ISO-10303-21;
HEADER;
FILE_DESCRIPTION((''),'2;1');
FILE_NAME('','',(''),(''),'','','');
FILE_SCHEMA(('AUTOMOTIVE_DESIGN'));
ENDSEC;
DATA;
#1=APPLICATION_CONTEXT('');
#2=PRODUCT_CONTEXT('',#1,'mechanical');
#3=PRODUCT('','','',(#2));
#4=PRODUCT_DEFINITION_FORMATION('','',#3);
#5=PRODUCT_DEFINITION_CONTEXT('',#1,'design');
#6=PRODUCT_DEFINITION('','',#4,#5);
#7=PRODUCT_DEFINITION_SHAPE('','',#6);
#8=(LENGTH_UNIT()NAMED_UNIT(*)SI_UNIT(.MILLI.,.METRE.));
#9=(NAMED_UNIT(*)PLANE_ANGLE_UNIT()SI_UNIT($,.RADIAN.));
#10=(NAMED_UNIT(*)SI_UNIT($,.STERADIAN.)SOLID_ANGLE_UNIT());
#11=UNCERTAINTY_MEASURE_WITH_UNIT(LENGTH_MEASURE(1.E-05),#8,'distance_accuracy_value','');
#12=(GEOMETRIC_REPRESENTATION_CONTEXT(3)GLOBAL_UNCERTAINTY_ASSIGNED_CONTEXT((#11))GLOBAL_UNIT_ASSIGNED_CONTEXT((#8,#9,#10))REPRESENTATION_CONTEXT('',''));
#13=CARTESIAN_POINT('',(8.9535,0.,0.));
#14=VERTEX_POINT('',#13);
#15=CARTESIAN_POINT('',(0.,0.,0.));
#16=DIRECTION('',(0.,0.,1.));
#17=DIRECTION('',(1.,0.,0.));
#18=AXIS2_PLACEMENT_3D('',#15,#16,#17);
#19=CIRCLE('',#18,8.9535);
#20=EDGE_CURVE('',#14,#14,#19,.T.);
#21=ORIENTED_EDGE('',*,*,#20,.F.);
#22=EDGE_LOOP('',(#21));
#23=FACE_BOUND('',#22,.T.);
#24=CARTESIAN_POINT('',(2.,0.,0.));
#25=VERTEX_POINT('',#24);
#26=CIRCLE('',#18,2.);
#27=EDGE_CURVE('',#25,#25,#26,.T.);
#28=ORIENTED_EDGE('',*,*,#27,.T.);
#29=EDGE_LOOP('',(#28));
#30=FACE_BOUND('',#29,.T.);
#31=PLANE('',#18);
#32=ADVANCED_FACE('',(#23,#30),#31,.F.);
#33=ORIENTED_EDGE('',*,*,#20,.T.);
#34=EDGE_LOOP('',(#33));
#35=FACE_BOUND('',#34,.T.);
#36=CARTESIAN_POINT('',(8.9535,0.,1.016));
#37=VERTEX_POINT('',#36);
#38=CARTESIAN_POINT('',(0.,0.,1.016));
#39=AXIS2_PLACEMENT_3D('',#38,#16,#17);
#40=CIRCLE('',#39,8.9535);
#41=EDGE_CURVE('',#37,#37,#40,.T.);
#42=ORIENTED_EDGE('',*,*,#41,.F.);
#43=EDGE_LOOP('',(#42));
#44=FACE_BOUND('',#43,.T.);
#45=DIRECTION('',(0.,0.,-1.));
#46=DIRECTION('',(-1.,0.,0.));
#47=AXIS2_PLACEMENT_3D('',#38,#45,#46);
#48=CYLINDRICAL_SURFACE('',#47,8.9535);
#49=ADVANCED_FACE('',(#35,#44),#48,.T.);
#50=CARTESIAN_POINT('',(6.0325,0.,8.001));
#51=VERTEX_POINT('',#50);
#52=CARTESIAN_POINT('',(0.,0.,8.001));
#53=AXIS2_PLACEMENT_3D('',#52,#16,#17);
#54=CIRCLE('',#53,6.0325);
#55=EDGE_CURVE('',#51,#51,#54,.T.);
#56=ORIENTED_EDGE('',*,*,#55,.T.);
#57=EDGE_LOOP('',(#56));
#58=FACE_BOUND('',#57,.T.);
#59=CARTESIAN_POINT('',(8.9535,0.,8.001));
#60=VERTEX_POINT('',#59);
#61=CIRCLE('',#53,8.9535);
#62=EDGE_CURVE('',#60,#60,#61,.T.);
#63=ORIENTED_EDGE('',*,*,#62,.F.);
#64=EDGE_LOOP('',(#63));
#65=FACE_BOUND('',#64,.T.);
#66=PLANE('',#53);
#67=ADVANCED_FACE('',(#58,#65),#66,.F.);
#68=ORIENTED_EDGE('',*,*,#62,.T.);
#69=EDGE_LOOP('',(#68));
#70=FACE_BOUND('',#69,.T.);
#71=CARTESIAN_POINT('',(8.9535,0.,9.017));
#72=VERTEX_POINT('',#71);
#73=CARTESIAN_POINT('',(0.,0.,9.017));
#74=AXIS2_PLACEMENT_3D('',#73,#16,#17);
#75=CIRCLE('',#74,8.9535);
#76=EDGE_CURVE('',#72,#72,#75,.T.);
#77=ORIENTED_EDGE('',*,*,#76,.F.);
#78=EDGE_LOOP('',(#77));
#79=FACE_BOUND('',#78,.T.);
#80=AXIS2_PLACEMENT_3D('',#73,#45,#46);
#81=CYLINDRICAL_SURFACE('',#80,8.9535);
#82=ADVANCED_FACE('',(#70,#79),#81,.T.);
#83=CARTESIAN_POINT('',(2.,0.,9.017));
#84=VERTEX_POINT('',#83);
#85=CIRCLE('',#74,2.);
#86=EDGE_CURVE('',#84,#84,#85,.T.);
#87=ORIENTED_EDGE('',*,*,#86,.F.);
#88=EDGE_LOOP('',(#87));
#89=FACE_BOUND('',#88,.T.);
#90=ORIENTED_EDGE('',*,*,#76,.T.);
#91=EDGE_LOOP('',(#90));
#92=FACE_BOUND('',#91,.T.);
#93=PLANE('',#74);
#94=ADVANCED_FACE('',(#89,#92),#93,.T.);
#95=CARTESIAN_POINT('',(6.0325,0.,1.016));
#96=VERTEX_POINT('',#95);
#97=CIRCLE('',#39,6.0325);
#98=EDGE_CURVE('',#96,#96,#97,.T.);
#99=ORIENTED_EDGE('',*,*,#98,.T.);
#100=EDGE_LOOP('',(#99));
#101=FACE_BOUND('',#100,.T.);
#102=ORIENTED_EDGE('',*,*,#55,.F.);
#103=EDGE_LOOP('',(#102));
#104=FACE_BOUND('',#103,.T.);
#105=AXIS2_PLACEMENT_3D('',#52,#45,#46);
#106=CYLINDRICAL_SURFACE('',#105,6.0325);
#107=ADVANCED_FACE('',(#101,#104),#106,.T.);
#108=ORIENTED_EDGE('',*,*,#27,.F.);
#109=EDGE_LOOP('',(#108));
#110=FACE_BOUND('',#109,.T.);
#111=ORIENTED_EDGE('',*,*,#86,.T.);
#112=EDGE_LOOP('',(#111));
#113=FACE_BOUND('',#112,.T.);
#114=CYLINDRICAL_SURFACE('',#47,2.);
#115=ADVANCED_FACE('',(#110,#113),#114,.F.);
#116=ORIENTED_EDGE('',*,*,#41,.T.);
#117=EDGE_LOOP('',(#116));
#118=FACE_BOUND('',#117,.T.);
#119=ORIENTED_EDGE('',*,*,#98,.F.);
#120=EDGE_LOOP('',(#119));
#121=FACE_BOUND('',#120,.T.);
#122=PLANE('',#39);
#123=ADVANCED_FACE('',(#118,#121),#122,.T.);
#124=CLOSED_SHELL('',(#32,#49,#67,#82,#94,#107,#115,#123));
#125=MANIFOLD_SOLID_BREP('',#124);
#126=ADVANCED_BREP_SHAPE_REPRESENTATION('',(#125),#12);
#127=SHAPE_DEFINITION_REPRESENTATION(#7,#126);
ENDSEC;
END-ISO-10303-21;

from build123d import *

# Parameters (mm, degrees)
SKETCH1_R           = 8.9535
SKETCH1_R_2         = 2
BOSS_EXTRUDE1_DEPTH = 1.016
SKETCH2_R           = 6.0325
SKETCH2_R_2         = 2
BOSS_EXTRUDE2_DEPTH = 6.985
SKETCH3_R           = 8.9535
SKETCH3_R_2         = 2
BOSS_EXTRUDE3_DEPTH = 1.016


with BuildPart() as part:
    # Sketch1 → Boss-Extrude1 (new body)
    with BuildSketch(Plane.XY):
        Circle(SKETCH1_R)
        Circle(SKETCH1_R_2, mode=Mode.SUBTRACT)
    extrude(amount=BOSS_EXTRUDE1_DEPTH)

    # Sketch2 → Boss-Extrude2 (add)
    with BuildSketch(Plane.XY.offset(1.016)):
        Circle(SKETCH2_R)
        Circle(SKETCH2_R_2, mode=Mode.SUBTRACT)
    extrude(amount=BOSS_EXTRUDE2_DEPTH)

    # Sketch3 → Boss-Extrude3 (add)
    with BuildSketch(Plane.XY.offset(8.001)):
        Circle(SKETCH3_R)
        Circle(SKETCH3_R_2, mode=Mode.SUBTRACT)
    extrude(amount=BOSS_EXTRUDE3_DEPTH)


solid = part.part
